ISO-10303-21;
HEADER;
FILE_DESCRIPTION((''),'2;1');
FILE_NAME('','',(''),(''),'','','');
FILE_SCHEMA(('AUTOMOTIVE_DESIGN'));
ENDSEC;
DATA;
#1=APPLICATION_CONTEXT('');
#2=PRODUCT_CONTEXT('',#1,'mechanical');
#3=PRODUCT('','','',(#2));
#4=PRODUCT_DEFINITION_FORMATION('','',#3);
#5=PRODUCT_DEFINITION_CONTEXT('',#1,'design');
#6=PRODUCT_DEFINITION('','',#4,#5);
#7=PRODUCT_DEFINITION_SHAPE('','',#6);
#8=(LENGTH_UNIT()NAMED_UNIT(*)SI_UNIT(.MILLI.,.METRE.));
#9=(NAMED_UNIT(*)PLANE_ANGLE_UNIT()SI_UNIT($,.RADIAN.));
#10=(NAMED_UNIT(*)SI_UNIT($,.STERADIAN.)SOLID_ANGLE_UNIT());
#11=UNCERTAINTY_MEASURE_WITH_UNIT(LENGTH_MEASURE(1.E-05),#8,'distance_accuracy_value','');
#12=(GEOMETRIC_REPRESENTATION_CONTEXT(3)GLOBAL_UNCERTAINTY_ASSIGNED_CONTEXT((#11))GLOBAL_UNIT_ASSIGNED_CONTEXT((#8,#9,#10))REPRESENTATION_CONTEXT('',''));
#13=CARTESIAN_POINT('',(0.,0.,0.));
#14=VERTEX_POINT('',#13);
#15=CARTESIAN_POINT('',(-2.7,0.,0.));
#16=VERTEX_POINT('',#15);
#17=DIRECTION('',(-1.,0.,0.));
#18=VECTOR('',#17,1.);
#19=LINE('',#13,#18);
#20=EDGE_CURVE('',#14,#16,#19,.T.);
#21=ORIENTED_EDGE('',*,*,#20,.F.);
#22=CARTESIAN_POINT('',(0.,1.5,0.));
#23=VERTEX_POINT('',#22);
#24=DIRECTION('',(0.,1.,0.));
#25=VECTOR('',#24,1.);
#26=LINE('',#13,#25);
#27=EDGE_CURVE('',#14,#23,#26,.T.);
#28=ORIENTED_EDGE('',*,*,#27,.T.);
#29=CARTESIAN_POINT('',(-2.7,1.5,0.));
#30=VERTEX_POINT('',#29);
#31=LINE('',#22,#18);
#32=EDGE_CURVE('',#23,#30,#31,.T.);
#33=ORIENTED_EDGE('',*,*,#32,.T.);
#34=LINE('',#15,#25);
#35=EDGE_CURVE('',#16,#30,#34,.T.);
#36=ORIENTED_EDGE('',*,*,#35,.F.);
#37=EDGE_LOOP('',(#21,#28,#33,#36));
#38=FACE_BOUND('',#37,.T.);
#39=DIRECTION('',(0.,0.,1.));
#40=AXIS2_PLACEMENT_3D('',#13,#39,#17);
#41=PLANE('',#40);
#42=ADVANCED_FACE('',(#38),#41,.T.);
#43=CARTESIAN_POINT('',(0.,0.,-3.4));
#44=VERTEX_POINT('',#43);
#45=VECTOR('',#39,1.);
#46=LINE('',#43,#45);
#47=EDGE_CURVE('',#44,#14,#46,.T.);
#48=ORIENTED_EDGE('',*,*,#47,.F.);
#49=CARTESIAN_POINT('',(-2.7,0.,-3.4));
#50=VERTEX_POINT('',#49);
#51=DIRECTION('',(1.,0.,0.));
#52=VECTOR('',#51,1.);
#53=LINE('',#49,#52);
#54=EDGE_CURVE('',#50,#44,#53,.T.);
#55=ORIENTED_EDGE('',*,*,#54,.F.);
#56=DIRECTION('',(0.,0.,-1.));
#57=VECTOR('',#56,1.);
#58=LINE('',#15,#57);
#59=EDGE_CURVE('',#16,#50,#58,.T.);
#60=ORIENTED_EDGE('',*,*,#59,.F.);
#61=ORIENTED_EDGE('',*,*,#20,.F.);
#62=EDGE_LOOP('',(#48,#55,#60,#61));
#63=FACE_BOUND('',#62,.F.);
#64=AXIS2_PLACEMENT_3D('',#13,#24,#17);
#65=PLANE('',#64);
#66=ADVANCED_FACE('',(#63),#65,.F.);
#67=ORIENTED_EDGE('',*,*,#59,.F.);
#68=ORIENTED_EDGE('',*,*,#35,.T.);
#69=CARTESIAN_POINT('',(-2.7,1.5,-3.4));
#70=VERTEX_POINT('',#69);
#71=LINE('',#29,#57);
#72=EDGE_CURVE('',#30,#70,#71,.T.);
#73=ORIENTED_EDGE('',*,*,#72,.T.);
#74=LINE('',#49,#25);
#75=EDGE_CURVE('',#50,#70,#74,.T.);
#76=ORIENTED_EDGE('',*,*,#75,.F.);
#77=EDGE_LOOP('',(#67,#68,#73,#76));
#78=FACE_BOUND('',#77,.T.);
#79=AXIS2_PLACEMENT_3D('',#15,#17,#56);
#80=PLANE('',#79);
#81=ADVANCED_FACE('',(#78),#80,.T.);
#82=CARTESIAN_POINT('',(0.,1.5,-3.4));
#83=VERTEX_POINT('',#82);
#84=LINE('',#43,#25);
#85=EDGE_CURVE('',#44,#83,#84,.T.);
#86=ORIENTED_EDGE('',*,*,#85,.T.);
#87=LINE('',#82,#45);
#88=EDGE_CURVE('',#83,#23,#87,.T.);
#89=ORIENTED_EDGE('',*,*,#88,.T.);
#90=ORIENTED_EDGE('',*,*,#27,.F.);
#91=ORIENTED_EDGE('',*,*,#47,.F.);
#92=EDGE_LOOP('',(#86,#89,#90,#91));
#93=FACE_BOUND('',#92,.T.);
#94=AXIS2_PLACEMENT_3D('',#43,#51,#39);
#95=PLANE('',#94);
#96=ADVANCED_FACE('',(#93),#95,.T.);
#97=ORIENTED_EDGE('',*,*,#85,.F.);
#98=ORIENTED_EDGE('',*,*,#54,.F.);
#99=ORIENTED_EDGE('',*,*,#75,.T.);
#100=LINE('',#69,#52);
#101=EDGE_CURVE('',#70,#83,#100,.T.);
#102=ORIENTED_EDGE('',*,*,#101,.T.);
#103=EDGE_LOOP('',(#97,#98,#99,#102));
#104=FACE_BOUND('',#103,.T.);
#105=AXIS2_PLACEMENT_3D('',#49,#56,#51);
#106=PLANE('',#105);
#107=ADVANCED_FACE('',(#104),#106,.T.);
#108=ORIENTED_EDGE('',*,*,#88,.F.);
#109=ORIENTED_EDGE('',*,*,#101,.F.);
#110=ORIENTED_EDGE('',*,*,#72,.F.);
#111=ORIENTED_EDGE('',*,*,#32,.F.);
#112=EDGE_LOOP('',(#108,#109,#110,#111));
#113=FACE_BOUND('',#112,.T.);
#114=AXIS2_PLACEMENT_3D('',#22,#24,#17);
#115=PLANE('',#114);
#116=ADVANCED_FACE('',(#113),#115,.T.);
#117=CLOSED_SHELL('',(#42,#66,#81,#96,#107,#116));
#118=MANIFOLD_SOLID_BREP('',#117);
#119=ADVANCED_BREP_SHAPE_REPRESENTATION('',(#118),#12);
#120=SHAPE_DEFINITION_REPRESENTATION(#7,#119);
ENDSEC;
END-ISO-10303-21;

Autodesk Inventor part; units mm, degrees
ref_plane "YZ Plane" through (0, 0, 0) normal (1, 0, 0) x (0, 1, 0)
ref_plane "XZ Plane" through (0, 0, 0) normal (0, 1, 0) x (-1, 0, 0)
ref_plane "XY Plane" through (0, 0, 0) normal (0, 0, 1) x (1, 0, 0)
sketch "Sketch1" plane through (0, 0, 0) normal (0, 1, 0) x (-1, 0, 0)
  line L0 (0, 0) -> (2.7, 0)
  line L1 (2.7, 0) -> (2.7, -3.4)
  line L2 (2.7, -3.4) -> (0, -3.4)
  line L3 (0, -3.4) -> (0, 0)
  dimension "d0" = 2.7
  dimension "d1" = 3.4
extrude "Extrusion1" add sketch "Sketch1" along normal blind 1.5
properties part number "ktir"
